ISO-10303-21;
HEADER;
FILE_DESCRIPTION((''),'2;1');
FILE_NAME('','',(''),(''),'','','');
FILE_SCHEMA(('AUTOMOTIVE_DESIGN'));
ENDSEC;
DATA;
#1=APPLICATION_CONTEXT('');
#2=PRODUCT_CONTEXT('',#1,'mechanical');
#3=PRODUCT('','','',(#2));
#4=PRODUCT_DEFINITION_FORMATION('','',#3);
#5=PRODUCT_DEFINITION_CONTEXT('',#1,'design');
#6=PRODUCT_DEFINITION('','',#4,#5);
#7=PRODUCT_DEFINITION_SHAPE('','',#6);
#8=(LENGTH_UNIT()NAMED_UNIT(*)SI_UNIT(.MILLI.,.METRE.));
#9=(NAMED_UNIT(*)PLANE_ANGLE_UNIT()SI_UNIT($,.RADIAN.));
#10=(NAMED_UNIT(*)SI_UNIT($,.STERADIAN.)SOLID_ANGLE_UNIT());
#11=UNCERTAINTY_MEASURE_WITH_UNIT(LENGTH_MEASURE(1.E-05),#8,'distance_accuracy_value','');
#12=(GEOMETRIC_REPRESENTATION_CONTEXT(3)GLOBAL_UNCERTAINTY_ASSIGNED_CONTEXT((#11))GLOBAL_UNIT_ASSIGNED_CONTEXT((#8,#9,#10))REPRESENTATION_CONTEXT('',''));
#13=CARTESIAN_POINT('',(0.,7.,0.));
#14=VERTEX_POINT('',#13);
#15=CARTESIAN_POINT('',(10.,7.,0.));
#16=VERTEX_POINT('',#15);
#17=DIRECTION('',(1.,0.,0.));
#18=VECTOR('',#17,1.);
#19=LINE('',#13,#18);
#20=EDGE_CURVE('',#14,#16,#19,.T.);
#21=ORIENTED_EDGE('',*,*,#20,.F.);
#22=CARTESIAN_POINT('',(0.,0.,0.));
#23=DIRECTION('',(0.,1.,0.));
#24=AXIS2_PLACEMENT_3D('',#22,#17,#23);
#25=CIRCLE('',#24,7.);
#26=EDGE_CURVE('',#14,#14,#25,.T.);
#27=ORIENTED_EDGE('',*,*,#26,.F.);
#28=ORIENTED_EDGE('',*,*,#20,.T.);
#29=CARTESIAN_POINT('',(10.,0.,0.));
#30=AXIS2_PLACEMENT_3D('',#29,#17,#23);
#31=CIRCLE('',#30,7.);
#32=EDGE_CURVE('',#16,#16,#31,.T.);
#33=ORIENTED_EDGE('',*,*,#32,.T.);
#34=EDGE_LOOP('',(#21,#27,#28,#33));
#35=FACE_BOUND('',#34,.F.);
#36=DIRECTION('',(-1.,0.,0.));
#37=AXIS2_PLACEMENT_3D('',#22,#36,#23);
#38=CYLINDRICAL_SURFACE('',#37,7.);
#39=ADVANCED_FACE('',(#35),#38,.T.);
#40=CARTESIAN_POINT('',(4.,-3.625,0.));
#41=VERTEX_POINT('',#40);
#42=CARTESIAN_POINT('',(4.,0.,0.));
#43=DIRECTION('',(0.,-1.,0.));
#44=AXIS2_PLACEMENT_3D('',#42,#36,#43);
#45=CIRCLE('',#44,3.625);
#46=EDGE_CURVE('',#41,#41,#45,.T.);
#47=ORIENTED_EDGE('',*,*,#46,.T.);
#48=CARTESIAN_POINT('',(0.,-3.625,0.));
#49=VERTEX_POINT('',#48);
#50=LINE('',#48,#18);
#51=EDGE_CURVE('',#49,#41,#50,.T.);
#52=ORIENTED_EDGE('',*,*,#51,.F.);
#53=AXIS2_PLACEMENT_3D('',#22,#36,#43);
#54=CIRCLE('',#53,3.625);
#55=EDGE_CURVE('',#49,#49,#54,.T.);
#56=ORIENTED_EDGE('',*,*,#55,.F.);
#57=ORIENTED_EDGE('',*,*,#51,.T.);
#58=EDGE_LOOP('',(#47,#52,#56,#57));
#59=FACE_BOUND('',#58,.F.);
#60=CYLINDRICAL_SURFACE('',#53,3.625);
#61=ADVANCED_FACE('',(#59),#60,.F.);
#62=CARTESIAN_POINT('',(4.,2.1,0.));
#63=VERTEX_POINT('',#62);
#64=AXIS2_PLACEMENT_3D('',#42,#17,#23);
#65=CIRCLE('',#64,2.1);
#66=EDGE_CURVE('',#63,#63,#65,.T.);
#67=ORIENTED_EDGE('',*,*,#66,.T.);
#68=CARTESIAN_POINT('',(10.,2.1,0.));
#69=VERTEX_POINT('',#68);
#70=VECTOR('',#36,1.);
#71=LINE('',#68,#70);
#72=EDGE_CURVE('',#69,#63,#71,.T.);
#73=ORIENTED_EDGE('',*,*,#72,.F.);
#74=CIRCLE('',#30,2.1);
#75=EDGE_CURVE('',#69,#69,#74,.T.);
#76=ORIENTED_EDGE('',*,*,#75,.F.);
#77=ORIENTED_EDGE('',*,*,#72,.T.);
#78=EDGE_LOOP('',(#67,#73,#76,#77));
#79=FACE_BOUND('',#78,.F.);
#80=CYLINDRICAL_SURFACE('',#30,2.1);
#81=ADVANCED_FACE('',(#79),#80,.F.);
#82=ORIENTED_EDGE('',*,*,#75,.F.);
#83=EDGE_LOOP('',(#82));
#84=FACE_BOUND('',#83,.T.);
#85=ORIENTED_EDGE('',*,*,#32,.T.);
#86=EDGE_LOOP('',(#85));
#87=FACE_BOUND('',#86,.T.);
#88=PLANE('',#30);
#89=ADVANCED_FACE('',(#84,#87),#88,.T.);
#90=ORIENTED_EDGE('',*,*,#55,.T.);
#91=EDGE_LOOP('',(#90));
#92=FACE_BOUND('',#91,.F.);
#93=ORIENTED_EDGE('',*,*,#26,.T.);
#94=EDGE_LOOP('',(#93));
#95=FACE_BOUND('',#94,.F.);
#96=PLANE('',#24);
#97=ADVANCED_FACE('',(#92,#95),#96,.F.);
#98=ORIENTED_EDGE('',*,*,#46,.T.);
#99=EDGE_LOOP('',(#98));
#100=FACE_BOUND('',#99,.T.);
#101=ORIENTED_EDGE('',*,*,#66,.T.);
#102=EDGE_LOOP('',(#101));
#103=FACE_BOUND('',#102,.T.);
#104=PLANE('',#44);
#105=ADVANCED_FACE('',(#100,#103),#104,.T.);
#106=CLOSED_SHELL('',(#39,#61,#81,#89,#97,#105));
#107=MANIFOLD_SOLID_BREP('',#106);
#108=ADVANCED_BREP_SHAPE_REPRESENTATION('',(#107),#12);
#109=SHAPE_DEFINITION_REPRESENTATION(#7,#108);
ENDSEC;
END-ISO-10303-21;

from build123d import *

# Parameters (mm, degrees)
F0_R     = 7
F1_DEPTH = 10
F2_R     = 3.625
F3_DEPTH = 4
F4_R     = 2.1
F5_DEPTH = 10.001


with BuildPart() as f1:
    # F0 (on Right) → F1 (new body)
    with BuildSketch(Plane.YZ):
        Circle(F0_R)
    extrude(amount=F1_DEPTH)

    # F2 (on face) → F3 (cut)
    with BuildSketch(Plane(origin=(0, 0, 0), x_dir=(0, -1, 0), z_dir=(-1, 0, 0))):
        Circle(F2_R)
    extrude(amount=-F3_DEPTH, mode=Mode.SUBTRACT)

    # F4 (on face) → F5 (cut, through all)
    with BuildSketch(Plane.YZ.offset(10)):
        Circle(F4_R)
    extrude(amount=-F5_DEPTH, mode=Mode.SUBTRACT)


solid = f1.part
